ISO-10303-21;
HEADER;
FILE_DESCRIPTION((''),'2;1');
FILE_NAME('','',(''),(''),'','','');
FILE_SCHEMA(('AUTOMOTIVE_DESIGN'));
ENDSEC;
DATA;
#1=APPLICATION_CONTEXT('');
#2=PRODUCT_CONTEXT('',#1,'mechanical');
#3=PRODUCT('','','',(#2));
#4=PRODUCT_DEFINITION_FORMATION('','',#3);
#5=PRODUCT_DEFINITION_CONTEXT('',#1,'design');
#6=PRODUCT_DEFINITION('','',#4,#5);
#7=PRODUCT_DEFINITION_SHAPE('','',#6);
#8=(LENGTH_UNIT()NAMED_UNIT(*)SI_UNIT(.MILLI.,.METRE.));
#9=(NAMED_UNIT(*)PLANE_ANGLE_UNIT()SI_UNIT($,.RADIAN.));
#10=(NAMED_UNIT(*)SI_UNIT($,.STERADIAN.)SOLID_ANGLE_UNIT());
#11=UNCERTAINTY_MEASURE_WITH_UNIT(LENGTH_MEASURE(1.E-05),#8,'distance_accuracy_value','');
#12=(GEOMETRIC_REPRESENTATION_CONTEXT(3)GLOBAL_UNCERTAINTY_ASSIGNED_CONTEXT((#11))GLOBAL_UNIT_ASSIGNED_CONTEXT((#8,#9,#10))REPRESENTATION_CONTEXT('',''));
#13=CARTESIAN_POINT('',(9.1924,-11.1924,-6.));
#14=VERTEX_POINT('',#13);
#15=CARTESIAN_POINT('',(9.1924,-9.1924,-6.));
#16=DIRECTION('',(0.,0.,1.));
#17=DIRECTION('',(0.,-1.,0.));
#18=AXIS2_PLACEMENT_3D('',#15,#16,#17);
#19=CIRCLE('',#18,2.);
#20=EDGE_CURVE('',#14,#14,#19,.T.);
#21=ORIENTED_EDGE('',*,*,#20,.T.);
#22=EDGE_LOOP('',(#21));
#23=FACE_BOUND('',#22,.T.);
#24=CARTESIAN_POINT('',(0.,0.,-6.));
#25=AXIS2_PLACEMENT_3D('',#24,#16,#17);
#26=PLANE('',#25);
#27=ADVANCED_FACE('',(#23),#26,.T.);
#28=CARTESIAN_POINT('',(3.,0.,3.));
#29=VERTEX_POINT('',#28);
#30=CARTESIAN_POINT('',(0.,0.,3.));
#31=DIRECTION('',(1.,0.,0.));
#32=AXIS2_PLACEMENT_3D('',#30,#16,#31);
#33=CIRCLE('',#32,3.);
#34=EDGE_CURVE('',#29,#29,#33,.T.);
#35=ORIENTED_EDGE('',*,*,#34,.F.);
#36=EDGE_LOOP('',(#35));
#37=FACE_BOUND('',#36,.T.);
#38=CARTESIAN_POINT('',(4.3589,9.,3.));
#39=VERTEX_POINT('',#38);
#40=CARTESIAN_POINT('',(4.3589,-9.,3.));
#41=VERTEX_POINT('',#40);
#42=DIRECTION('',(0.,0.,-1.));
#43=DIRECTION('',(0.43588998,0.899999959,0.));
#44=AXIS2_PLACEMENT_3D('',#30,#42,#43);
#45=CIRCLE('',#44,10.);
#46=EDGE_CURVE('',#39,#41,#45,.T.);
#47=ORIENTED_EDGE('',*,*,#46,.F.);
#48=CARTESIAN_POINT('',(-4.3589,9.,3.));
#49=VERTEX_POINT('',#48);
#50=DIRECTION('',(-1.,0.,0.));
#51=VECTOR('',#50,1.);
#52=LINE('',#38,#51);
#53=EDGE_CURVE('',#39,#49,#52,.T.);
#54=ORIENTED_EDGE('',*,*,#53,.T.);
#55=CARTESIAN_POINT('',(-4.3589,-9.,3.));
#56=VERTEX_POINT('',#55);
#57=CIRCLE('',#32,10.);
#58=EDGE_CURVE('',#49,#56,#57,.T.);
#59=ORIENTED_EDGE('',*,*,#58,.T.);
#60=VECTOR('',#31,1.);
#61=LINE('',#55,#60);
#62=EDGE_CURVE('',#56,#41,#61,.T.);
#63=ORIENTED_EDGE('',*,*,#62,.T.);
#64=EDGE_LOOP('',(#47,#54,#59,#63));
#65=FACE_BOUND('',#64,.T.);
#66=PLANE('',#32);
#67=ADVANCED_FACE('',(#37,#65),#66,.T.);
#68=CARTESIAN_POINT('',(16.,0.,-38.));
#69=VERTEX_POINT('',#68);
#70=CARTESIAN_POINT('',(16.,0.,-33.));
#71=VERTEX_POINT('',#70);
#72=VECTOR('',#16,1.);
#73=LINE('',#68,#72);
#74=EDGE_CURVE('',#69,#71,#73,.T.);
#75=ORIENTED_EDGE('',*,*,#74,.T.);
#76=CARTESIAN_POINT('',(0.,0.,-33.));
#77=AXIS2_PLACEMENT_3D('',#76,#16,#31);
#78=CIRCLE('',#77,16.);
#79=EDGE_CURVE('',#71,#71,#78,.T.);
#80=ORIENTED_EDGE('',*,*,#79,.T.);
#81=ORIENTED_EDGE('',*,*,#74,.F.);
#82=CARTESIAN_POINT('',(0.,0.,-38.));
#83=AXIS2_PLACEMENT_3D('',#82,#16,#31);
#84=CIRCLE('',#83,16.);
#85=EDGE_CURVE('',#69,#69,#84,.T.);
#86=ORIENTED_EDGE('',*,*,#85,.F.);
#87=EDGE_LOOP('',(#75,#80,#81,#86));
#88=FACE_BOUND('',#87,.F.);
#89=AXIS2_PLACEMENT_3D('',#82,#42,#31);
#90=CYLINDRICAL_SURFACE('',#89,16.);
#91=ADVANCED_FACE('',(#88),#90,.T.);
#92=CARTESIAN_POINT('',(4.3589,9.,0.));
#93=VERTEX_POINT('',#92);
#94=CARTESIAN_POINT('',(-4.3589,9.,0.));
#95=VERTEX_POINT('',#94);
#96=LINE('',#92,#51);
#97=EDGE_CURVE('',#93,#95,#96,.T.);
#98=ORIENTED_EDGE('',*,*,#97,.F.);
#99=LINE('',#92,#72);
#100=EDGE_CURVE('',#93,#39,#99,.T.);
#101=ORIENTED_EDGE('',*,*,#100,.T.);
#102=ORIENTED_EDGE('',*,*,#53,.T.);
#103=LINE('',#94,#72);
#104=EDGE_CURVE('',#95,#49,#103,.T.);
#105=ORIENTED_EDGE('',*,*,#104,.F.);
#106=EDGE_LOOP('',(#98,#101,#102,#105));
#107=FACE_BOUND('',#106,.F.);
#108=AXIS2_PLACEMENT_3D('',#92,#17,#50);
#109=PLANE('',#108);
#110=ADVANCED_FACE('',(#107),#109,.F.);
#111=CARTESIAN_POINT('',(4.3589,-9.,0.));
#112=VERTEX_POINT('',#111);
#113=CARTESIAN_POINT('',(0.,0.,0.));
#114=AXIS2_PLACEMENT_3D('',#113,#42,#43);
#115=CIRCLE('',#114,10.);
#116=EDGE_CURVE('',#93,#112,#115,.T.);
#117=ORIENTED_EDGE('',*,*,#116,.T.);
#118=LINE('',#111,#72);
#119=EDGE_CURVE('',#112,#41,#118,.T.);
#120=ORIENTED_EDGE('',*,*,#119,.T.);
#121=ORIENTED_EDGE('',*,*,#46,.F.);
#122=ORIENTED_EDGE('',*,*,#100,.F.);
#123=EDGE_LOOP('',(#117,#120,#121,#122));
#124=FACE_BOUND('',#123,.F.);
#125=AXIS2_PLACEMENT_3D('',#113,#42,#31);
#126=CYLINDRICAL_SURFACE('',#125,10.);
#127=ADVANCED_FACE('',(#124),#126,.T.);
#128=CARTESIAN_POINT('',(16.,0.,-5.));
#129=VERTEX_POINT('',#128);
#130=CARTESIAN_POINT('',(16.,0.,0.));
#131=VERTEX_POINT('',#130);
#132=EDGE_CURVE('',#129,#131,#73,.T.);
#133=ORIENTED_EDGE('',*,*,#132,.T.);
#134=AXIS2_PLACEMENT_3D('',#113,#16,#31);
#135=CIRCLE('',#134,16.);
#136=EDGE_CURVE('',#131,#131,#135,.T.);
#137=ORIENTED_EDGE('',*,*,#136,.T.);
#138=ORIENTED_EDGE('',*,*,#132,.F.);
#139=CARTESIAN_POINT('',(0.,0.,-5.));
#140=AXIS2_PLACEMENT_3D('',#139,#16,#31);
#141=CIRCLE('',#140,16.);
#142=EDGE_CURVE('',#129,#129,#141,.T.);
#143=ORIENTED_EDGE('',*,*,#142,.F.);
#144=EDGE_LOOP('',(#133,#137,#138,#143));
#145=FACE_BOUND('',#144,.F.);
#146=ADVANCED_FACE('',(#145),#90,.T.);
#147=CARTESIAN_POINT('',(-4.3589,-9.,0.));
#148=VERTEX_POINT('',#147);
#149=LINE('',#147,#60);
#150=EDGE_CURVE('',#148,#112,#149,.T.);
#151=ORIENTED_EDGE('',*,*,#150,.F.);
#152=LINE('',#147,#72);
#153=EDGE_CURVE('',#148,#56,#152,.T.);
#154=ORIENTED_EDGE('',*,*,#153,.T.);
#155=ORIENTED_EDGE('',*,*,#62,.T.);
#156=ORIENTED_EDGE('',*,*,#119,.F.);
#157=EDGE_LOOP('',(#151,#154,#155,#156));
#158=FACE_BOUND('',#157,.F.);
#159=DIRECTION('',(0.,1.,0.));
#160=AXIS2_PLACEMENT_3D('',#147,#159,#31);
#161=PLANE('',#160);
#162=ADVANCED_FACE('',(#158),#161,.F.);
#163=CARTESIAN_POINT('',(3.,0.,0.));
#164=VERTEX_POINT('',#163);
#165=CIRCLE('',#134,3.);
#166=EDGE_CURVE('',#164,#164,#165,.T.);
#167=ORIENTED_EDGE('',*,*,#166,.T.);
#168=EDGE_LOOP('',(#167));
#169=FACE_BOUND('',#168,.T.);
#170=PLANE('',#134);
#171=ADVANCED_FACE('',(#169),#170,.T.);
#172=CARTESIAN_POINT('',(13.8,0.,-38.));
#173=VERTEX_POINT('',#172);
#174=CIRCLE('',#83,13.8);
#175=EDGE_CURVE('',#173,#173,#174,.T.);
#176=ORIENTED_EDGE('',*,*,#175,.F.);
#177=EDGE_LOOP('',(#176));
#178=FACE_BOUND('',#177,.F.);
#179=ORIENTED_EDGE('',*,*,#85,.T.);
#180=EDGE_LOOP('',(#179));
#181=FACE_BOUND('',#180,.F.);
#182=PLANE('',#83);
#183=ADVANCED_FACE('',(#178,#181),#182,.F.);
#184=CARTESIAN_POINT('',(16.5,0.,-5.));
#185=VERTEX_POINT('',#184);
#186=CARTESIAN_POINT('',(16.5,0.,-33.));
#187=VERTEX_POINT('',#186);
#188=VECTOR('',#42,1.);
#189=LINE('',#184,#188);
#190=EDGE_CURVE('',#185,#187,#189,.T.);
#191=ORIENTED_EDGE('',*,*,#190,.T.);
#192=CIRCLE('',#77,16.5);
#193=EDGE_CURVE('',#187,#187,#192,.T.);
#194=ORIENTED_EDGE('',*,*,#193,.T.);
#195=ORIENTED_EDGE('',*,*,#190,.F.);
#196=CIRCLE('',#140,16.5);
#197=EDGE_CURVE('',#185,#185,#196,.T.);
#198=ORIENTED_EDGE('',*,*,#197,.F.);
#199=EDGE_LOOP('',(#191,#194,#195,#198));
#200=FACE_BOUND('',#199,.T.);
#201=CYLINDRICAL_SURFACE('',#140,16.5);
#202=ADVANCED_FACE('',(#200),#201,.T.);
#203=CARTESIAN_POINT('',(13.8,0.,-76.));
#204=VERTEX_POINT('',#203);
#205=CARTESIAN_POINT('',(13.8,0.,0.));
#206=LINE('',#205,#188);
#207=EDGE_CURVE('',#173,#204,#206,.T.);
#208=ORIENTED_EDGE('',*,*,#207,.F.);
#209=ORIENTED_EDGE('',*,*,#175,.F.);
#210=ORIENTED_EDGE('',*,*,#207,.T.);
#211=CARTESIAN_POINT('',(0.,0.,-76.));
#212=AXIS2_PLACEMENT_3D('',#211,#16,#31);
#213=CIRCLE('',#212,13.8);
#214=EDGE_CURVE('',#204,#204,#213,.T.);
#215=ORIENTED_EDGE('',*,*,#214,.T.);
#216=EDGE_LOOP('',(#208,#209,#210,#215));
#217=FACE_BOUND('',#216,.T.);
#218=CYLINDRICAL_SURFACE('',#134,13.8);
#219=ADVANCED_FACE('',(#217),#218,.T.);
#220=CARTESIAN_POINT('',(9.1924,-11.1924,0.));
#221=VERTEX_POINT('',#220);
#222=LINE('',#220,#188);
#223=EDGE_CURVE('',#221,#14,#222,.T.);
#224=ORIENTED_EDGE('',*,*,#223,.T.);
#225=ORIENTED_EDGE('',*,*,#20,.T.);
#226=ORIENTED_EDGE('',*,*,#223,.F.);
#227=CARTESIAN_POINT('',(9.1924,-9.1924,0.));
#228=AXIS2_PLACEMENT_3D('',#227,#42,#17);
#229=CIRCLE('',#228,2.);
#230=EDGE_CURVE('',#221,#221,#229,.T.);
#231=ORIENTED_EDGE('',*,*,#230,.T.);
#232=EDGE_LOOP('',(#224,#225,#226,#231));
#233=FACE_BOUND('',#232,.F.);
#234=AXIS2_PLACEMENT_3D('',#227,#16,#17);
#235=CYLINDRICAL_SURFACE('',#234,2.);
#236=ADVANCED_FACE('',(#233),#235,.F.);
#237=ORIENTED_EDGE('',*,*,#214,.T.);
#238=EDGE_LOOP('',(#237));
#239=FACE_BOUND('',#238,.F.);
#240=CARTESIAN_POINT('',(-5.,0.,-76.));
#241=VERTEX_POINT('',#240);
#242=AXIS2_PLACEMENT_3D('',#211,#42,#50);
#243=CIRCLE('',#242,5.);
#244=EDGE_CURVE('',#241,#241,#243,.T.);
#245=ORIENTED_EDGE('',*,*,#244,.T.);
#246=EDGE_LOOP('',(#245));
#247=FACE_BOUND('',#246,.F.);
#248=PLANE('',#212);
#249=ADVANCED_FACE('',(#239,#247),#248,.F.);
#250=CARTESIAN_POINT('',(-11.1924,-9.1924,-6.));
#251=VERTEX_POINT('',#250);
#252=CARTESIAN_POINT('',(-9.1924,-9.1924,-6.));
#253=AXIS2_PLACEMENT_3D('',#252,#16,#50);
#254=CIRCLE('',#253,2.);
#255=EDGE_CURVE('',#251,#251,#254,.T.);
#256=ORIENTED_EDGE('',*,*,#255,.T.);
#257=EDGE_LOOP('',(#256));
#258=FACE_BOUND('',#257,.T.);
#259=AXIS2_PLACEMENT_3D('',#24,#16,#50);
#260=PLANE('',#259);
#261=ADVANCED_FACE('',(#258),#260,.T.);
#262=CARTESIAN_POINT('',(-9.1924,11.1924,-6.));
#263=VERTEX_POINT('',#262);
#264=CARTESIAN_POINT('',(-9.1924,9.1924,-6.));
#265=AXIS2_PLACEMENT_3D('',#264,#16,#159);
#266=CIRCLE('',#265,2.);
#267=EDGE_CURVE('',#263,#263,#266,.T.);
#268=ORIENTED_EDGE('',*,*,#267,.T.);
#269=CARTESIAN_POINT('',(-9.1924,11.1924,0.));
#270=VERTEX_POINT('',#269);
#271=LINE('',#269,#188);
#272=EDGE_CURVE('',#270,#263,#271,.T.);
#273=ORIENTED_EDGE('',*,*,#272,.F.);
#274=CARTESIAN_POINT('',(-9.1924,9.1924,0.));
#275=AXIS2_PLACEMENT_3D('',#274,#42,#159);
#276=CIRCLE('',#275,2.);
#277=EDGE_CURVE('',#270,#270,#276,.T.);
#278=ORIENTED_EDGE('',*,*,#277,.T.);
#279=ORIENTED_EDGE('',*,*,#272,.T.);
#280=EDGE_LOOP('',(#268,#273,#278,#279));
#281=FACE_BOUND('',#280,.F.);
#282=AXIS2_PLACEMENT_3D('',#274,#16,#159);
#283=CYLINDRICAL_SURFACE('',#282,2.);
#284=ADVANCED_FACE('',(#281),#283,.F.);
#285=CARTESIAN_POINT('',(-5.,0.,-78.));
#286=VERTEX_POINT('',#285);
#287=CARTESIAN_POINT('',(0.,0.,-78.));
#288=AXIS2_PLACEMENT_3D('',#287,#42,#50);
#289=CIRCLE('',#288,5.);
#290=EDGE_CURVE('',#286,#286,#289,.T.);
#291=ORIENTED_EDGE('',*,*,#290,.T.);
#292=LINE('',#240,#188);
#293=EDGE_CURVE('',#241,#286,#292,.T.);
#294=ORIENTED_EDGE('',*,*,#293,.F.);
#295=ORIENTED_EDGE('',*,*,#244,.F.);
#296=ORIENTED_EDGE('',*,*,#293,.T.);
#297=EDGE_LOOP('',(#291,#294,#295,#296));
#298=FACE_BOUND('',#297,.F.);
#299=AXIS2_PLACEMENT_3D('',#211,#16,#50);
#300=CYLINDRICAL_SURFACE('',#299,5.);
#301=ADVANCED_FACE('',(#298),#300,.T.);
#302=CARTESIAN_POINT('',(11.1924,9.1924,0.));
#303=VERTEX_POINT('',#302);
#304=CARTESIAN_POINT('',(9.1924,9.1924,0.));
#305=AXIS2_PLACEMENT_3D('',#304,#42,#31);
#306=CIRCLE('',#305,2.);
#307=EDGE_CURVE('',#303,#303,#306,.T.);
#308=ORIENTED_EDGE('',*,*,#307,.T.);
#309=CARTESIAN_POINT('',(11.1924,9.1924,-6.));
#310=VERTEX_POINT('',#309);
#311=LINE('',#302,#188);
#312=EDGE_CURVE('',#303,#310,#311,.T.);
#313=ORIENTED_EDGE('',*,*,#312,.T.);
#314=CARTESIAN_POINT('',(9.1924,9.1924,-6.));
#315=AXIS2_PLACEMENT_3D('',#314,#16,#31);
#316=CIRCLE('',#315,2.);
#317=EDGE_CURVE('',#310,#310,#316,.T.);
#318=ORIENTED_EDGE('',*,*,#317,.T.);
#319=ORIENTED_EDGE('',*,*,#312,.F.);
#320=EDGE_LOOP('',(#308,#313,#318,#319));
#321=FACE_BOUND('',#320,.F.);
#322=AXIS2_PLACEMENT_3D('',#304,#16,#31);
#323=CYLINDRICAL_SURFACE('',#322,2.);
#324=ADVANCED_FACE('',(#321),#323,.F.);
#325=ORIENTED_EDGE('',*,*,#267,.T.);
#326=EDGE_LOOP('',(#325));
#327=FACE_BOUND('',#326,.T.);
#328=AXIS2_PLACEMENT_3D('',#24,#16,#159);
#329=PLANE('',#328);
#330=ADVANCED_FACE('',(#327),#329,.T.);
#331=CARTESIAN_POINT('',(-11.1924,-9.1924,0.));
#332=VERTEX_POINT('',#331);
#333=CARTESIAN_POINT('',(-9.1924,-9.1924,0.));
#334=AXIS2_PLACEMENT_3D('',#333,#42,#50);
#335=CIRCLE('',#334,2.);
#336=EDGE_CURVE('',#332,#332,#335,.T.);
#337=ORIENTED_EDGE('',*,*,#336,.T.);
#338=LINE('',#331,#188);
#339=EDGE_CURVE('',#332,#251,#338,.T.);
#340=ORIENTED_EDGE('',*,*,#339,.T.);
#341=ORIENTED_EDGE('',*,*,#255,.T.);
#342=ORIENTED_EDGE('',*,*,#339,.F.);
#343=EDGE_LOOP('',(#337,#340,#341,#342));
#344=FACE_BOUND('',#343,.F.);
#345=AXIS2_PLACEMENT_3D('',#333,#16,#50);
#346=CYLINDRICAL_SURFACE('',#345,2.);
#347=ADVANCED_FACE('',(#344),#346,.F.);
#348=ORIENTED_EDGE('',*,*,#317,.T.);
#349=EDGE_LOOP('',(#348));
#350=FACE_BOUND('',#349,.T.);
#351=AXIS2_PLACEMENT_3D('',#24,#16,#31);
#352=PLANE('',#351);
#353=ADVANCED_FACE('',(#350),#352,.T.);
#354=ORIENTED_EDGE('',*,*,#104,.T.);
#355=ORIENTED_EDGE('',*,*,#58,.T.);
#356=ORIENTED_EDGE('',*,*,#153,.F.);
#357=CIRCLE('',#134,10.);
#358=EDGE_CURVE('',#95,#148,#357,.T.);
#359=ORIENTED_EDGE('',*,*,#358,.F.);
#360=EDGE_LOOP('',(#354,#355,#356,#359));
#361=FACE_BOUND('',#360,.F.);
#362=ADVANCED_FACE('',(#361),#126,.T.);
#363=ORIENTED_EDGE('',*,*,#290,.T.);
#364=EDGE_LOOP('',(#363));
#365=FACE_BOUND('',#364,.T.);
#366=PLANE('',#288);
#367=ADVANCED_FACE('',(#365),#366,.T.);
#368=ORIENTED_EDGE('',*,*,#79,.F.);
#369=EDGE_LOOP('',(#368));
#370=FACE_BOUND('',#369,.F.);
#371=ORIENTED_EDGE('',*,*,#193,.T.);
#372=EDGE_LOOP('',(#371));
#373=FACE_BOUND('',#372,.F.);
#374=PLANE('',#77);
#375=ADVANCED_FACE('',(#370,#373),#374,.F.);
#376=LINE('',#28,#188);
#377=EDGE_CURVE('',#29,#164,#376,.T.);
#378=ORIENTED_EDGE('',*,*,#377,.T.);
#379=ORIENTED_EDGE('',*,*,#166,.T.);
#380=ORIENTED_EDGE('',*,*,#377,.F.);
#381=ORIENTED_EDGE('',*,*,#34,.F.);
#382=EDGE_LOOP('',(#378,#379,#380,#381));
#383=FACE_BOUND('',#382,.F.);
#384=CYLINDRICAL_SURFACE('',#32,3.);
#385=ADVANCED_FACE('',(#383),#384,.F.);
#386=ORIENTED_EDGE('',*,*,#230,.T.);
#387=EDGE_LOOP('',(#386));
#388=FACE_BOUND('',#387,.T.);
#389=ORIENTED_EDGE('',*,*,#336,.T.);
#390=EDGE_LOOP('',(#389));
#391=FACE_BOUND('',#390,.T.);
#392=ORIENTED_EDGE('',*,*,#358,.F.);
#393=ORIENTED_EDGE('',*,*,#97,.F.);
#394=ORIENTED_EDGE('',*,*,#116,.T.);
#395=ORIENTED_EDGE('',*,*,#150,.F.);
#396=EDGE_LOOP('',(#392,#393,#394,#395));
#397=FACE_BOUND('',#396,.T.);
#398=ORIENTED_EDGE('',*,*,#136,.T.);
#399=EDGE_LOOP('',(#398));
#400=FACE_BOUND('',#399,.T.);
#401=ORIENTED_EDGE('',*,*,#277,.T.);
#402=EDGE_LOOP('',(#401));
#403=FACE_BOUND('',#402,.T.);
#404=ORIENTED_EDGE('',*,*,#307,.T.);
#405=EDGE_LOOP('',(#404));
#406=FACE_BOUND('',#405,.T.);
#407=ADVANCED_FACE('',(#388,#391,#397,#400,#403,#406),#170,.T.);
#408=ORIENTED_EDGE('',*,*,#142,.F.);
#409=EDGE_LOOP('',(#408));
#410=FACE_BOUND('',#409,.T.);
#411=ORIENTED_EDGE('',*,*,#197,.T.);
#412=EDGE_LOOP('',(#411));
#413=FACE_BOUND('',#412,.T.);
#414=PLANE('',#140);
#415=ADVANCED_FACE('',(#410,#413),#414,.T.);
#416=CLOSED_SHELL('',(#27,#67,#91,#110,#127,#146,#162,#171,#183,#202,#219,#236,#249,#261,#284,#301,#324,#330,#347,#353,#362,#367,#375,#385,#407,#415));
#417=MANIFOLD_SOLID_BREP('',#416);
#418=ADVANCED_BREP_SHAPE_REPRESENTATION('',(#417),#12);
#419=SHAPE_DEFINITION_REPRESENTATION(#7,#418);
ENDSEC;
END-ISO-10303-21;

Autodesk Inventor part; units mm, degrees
ref_plane "YZ Plane" through (0, 0, 0) normal (1, 0, 0) x (0, 1, 0)
ref_plane "XZ Plane" through (0, 0, 0) normal (0, 1, 0) x (-1, 0, 0)
ref_plane "XY Plane" through (0, 0, 0) normal (0, 0, 1) x (1, 0, 0)
sketch "Sketch1" plane through (0, 0, 0) normal (0, 0, 1) x (1, 0, 0)
  circle A0 centre (0, 0) radius 13.8
  dimension "d0" = 27.6
extrude "Extrusion1" add sketch "Sketch1" against normal blind 76
ref_plane "Work Plane1" through (0, 0, -38) normal (0, 0, 1) x (1, 0, 0)
sketch "Sketch2" plane through (0, 0, -38) normal (0, 0, 1) x (1, 0, 0)
  circle A0 centre (0, 0) radius 13.8 projected
  circle A1 centre (0, 0) radius 16
  dimension "d4" = 32
extrude "Extrusion2" add sketch "Sketch2" along normal blind 38
sketch "Sketch3" plane through (0, 0, -76) normal (0, 0, -1) x (-1, 0, 0)
  circle A0 centre (0, 0) radius 5
  dimension "d7" = 10
extrude "Extrusion3" add sketch "Sketch3" along normal blind 2
sketch "Sketch4" plane through (0, 0, 0) normal (0, 0, 1) x (1, 0, 0)
  circle A0 centre (0, 0) radius 5 projected
  circle A1 centre (0, 0) radius 10
  line L0 (-4.3589, -9) -> (4.3589, -9)
  line L1 (4.3589, -9) -> (4.3589, 9)
  line L2 (4.3589, 9) -> (-4.3589, 9)
  line L3 (-4.3589, 9) -> (-4.3589, -9)
  line L4 (-4.3589, -9) -> (4.3589, 9) construction
  line L5 (4.3589, -9) -> (-4.3589, 9) construction
  dimension "d10" = 20
  dimension "d11" = 18
extrude "Extrusion4" add sketch "Sketch4" along normal blind 3 contours A0 L1 | A0 L1 A1 | L1 A0 L3 | A0 L3 L2 L1 | L1 L0 L3 A0 | L3 A0 | A0 L3 A1
sketch "Sketch5" plane through (0, 0, 3) normal (0, 0, 1) x (1, 0, 0)
  circle A0 centre (0, 0) radius 3
  dimension "d14" = 6
extrude "Extrusion5" cut sketch "Sketch5" against normal blind 3
sketch "Sketch6" plane through (0, 0, 0) normal (0, 0, 1) x (1, 0, 0)
  circle A0 centre (0, 0) radius 3 projected
  circle A1 centre (0, 0) radius 13
  line L0 (0, 0) -> (9.1924, 9.1924)
  line L1 (0, 0) -> (13, 0) construction
  circle A2 centre (9.1924, 9.1924) radius 2
  dimension "d17" = 26
  dimension "d18" = 45
  dimension "d19" = 4
extrude "Extrusion6" cut sketch "Sketch6" against normal blind 6 contours A2 A1 L0 | L0 A1 A2 | A1 A2 picked at (9.9348, 9.3429)
pattern_circular "Circular Pattern1" count 4 over 360 about axis through (0, 0, -38) along (0, 0, 1) of "Extrusion6"
ref_plane "Work Plane2" through (0, 0, -5) normal (0, 0, 1) x (1, 0, 0)
ref_plane "Work Plane3" through (0, 0, -33) normal (0, 0, -1) x (-1, 0, 0)
sketch "Sketch7" plane through (0, 0, -5) normal (0, 0, 1) x (1, 0, 0)
  circle A0 centre (9.1924, -9.1924) radius 2 projected
  circle A1 centre (-9.1924, -9.1924) radius 2 projected
  circle A2 centre (-9.1924, 9.1924) radius 2 projected
  circle A3 centre (9.1924, 9.1924) radius 2 projected
  line L0 (4.3589, -9) -> (-4.3589, -9) projected
  arc A4 (-4.3589, 9) -> (-4.3589, -9) centre (0, 0) ccw projected
  line L1 (-4.3589, 9) -> (4.3589, 9) projected
  arc A5 (4.3589, -9) -> (4.3589, 9) centre (0, 0) ccw projected
  circle A6 centre (0, 0) radius 16 projected
  circle A7 centre (0, 0) radius 3 projected
  circle A8 centre (0, 0) radius 16.5
  dimension "d27" = 33
extrude "Extrusion7" add sketch "Sketch7" against normal up to surface (28 mm away) contours A8
properties part number "motor_body"
